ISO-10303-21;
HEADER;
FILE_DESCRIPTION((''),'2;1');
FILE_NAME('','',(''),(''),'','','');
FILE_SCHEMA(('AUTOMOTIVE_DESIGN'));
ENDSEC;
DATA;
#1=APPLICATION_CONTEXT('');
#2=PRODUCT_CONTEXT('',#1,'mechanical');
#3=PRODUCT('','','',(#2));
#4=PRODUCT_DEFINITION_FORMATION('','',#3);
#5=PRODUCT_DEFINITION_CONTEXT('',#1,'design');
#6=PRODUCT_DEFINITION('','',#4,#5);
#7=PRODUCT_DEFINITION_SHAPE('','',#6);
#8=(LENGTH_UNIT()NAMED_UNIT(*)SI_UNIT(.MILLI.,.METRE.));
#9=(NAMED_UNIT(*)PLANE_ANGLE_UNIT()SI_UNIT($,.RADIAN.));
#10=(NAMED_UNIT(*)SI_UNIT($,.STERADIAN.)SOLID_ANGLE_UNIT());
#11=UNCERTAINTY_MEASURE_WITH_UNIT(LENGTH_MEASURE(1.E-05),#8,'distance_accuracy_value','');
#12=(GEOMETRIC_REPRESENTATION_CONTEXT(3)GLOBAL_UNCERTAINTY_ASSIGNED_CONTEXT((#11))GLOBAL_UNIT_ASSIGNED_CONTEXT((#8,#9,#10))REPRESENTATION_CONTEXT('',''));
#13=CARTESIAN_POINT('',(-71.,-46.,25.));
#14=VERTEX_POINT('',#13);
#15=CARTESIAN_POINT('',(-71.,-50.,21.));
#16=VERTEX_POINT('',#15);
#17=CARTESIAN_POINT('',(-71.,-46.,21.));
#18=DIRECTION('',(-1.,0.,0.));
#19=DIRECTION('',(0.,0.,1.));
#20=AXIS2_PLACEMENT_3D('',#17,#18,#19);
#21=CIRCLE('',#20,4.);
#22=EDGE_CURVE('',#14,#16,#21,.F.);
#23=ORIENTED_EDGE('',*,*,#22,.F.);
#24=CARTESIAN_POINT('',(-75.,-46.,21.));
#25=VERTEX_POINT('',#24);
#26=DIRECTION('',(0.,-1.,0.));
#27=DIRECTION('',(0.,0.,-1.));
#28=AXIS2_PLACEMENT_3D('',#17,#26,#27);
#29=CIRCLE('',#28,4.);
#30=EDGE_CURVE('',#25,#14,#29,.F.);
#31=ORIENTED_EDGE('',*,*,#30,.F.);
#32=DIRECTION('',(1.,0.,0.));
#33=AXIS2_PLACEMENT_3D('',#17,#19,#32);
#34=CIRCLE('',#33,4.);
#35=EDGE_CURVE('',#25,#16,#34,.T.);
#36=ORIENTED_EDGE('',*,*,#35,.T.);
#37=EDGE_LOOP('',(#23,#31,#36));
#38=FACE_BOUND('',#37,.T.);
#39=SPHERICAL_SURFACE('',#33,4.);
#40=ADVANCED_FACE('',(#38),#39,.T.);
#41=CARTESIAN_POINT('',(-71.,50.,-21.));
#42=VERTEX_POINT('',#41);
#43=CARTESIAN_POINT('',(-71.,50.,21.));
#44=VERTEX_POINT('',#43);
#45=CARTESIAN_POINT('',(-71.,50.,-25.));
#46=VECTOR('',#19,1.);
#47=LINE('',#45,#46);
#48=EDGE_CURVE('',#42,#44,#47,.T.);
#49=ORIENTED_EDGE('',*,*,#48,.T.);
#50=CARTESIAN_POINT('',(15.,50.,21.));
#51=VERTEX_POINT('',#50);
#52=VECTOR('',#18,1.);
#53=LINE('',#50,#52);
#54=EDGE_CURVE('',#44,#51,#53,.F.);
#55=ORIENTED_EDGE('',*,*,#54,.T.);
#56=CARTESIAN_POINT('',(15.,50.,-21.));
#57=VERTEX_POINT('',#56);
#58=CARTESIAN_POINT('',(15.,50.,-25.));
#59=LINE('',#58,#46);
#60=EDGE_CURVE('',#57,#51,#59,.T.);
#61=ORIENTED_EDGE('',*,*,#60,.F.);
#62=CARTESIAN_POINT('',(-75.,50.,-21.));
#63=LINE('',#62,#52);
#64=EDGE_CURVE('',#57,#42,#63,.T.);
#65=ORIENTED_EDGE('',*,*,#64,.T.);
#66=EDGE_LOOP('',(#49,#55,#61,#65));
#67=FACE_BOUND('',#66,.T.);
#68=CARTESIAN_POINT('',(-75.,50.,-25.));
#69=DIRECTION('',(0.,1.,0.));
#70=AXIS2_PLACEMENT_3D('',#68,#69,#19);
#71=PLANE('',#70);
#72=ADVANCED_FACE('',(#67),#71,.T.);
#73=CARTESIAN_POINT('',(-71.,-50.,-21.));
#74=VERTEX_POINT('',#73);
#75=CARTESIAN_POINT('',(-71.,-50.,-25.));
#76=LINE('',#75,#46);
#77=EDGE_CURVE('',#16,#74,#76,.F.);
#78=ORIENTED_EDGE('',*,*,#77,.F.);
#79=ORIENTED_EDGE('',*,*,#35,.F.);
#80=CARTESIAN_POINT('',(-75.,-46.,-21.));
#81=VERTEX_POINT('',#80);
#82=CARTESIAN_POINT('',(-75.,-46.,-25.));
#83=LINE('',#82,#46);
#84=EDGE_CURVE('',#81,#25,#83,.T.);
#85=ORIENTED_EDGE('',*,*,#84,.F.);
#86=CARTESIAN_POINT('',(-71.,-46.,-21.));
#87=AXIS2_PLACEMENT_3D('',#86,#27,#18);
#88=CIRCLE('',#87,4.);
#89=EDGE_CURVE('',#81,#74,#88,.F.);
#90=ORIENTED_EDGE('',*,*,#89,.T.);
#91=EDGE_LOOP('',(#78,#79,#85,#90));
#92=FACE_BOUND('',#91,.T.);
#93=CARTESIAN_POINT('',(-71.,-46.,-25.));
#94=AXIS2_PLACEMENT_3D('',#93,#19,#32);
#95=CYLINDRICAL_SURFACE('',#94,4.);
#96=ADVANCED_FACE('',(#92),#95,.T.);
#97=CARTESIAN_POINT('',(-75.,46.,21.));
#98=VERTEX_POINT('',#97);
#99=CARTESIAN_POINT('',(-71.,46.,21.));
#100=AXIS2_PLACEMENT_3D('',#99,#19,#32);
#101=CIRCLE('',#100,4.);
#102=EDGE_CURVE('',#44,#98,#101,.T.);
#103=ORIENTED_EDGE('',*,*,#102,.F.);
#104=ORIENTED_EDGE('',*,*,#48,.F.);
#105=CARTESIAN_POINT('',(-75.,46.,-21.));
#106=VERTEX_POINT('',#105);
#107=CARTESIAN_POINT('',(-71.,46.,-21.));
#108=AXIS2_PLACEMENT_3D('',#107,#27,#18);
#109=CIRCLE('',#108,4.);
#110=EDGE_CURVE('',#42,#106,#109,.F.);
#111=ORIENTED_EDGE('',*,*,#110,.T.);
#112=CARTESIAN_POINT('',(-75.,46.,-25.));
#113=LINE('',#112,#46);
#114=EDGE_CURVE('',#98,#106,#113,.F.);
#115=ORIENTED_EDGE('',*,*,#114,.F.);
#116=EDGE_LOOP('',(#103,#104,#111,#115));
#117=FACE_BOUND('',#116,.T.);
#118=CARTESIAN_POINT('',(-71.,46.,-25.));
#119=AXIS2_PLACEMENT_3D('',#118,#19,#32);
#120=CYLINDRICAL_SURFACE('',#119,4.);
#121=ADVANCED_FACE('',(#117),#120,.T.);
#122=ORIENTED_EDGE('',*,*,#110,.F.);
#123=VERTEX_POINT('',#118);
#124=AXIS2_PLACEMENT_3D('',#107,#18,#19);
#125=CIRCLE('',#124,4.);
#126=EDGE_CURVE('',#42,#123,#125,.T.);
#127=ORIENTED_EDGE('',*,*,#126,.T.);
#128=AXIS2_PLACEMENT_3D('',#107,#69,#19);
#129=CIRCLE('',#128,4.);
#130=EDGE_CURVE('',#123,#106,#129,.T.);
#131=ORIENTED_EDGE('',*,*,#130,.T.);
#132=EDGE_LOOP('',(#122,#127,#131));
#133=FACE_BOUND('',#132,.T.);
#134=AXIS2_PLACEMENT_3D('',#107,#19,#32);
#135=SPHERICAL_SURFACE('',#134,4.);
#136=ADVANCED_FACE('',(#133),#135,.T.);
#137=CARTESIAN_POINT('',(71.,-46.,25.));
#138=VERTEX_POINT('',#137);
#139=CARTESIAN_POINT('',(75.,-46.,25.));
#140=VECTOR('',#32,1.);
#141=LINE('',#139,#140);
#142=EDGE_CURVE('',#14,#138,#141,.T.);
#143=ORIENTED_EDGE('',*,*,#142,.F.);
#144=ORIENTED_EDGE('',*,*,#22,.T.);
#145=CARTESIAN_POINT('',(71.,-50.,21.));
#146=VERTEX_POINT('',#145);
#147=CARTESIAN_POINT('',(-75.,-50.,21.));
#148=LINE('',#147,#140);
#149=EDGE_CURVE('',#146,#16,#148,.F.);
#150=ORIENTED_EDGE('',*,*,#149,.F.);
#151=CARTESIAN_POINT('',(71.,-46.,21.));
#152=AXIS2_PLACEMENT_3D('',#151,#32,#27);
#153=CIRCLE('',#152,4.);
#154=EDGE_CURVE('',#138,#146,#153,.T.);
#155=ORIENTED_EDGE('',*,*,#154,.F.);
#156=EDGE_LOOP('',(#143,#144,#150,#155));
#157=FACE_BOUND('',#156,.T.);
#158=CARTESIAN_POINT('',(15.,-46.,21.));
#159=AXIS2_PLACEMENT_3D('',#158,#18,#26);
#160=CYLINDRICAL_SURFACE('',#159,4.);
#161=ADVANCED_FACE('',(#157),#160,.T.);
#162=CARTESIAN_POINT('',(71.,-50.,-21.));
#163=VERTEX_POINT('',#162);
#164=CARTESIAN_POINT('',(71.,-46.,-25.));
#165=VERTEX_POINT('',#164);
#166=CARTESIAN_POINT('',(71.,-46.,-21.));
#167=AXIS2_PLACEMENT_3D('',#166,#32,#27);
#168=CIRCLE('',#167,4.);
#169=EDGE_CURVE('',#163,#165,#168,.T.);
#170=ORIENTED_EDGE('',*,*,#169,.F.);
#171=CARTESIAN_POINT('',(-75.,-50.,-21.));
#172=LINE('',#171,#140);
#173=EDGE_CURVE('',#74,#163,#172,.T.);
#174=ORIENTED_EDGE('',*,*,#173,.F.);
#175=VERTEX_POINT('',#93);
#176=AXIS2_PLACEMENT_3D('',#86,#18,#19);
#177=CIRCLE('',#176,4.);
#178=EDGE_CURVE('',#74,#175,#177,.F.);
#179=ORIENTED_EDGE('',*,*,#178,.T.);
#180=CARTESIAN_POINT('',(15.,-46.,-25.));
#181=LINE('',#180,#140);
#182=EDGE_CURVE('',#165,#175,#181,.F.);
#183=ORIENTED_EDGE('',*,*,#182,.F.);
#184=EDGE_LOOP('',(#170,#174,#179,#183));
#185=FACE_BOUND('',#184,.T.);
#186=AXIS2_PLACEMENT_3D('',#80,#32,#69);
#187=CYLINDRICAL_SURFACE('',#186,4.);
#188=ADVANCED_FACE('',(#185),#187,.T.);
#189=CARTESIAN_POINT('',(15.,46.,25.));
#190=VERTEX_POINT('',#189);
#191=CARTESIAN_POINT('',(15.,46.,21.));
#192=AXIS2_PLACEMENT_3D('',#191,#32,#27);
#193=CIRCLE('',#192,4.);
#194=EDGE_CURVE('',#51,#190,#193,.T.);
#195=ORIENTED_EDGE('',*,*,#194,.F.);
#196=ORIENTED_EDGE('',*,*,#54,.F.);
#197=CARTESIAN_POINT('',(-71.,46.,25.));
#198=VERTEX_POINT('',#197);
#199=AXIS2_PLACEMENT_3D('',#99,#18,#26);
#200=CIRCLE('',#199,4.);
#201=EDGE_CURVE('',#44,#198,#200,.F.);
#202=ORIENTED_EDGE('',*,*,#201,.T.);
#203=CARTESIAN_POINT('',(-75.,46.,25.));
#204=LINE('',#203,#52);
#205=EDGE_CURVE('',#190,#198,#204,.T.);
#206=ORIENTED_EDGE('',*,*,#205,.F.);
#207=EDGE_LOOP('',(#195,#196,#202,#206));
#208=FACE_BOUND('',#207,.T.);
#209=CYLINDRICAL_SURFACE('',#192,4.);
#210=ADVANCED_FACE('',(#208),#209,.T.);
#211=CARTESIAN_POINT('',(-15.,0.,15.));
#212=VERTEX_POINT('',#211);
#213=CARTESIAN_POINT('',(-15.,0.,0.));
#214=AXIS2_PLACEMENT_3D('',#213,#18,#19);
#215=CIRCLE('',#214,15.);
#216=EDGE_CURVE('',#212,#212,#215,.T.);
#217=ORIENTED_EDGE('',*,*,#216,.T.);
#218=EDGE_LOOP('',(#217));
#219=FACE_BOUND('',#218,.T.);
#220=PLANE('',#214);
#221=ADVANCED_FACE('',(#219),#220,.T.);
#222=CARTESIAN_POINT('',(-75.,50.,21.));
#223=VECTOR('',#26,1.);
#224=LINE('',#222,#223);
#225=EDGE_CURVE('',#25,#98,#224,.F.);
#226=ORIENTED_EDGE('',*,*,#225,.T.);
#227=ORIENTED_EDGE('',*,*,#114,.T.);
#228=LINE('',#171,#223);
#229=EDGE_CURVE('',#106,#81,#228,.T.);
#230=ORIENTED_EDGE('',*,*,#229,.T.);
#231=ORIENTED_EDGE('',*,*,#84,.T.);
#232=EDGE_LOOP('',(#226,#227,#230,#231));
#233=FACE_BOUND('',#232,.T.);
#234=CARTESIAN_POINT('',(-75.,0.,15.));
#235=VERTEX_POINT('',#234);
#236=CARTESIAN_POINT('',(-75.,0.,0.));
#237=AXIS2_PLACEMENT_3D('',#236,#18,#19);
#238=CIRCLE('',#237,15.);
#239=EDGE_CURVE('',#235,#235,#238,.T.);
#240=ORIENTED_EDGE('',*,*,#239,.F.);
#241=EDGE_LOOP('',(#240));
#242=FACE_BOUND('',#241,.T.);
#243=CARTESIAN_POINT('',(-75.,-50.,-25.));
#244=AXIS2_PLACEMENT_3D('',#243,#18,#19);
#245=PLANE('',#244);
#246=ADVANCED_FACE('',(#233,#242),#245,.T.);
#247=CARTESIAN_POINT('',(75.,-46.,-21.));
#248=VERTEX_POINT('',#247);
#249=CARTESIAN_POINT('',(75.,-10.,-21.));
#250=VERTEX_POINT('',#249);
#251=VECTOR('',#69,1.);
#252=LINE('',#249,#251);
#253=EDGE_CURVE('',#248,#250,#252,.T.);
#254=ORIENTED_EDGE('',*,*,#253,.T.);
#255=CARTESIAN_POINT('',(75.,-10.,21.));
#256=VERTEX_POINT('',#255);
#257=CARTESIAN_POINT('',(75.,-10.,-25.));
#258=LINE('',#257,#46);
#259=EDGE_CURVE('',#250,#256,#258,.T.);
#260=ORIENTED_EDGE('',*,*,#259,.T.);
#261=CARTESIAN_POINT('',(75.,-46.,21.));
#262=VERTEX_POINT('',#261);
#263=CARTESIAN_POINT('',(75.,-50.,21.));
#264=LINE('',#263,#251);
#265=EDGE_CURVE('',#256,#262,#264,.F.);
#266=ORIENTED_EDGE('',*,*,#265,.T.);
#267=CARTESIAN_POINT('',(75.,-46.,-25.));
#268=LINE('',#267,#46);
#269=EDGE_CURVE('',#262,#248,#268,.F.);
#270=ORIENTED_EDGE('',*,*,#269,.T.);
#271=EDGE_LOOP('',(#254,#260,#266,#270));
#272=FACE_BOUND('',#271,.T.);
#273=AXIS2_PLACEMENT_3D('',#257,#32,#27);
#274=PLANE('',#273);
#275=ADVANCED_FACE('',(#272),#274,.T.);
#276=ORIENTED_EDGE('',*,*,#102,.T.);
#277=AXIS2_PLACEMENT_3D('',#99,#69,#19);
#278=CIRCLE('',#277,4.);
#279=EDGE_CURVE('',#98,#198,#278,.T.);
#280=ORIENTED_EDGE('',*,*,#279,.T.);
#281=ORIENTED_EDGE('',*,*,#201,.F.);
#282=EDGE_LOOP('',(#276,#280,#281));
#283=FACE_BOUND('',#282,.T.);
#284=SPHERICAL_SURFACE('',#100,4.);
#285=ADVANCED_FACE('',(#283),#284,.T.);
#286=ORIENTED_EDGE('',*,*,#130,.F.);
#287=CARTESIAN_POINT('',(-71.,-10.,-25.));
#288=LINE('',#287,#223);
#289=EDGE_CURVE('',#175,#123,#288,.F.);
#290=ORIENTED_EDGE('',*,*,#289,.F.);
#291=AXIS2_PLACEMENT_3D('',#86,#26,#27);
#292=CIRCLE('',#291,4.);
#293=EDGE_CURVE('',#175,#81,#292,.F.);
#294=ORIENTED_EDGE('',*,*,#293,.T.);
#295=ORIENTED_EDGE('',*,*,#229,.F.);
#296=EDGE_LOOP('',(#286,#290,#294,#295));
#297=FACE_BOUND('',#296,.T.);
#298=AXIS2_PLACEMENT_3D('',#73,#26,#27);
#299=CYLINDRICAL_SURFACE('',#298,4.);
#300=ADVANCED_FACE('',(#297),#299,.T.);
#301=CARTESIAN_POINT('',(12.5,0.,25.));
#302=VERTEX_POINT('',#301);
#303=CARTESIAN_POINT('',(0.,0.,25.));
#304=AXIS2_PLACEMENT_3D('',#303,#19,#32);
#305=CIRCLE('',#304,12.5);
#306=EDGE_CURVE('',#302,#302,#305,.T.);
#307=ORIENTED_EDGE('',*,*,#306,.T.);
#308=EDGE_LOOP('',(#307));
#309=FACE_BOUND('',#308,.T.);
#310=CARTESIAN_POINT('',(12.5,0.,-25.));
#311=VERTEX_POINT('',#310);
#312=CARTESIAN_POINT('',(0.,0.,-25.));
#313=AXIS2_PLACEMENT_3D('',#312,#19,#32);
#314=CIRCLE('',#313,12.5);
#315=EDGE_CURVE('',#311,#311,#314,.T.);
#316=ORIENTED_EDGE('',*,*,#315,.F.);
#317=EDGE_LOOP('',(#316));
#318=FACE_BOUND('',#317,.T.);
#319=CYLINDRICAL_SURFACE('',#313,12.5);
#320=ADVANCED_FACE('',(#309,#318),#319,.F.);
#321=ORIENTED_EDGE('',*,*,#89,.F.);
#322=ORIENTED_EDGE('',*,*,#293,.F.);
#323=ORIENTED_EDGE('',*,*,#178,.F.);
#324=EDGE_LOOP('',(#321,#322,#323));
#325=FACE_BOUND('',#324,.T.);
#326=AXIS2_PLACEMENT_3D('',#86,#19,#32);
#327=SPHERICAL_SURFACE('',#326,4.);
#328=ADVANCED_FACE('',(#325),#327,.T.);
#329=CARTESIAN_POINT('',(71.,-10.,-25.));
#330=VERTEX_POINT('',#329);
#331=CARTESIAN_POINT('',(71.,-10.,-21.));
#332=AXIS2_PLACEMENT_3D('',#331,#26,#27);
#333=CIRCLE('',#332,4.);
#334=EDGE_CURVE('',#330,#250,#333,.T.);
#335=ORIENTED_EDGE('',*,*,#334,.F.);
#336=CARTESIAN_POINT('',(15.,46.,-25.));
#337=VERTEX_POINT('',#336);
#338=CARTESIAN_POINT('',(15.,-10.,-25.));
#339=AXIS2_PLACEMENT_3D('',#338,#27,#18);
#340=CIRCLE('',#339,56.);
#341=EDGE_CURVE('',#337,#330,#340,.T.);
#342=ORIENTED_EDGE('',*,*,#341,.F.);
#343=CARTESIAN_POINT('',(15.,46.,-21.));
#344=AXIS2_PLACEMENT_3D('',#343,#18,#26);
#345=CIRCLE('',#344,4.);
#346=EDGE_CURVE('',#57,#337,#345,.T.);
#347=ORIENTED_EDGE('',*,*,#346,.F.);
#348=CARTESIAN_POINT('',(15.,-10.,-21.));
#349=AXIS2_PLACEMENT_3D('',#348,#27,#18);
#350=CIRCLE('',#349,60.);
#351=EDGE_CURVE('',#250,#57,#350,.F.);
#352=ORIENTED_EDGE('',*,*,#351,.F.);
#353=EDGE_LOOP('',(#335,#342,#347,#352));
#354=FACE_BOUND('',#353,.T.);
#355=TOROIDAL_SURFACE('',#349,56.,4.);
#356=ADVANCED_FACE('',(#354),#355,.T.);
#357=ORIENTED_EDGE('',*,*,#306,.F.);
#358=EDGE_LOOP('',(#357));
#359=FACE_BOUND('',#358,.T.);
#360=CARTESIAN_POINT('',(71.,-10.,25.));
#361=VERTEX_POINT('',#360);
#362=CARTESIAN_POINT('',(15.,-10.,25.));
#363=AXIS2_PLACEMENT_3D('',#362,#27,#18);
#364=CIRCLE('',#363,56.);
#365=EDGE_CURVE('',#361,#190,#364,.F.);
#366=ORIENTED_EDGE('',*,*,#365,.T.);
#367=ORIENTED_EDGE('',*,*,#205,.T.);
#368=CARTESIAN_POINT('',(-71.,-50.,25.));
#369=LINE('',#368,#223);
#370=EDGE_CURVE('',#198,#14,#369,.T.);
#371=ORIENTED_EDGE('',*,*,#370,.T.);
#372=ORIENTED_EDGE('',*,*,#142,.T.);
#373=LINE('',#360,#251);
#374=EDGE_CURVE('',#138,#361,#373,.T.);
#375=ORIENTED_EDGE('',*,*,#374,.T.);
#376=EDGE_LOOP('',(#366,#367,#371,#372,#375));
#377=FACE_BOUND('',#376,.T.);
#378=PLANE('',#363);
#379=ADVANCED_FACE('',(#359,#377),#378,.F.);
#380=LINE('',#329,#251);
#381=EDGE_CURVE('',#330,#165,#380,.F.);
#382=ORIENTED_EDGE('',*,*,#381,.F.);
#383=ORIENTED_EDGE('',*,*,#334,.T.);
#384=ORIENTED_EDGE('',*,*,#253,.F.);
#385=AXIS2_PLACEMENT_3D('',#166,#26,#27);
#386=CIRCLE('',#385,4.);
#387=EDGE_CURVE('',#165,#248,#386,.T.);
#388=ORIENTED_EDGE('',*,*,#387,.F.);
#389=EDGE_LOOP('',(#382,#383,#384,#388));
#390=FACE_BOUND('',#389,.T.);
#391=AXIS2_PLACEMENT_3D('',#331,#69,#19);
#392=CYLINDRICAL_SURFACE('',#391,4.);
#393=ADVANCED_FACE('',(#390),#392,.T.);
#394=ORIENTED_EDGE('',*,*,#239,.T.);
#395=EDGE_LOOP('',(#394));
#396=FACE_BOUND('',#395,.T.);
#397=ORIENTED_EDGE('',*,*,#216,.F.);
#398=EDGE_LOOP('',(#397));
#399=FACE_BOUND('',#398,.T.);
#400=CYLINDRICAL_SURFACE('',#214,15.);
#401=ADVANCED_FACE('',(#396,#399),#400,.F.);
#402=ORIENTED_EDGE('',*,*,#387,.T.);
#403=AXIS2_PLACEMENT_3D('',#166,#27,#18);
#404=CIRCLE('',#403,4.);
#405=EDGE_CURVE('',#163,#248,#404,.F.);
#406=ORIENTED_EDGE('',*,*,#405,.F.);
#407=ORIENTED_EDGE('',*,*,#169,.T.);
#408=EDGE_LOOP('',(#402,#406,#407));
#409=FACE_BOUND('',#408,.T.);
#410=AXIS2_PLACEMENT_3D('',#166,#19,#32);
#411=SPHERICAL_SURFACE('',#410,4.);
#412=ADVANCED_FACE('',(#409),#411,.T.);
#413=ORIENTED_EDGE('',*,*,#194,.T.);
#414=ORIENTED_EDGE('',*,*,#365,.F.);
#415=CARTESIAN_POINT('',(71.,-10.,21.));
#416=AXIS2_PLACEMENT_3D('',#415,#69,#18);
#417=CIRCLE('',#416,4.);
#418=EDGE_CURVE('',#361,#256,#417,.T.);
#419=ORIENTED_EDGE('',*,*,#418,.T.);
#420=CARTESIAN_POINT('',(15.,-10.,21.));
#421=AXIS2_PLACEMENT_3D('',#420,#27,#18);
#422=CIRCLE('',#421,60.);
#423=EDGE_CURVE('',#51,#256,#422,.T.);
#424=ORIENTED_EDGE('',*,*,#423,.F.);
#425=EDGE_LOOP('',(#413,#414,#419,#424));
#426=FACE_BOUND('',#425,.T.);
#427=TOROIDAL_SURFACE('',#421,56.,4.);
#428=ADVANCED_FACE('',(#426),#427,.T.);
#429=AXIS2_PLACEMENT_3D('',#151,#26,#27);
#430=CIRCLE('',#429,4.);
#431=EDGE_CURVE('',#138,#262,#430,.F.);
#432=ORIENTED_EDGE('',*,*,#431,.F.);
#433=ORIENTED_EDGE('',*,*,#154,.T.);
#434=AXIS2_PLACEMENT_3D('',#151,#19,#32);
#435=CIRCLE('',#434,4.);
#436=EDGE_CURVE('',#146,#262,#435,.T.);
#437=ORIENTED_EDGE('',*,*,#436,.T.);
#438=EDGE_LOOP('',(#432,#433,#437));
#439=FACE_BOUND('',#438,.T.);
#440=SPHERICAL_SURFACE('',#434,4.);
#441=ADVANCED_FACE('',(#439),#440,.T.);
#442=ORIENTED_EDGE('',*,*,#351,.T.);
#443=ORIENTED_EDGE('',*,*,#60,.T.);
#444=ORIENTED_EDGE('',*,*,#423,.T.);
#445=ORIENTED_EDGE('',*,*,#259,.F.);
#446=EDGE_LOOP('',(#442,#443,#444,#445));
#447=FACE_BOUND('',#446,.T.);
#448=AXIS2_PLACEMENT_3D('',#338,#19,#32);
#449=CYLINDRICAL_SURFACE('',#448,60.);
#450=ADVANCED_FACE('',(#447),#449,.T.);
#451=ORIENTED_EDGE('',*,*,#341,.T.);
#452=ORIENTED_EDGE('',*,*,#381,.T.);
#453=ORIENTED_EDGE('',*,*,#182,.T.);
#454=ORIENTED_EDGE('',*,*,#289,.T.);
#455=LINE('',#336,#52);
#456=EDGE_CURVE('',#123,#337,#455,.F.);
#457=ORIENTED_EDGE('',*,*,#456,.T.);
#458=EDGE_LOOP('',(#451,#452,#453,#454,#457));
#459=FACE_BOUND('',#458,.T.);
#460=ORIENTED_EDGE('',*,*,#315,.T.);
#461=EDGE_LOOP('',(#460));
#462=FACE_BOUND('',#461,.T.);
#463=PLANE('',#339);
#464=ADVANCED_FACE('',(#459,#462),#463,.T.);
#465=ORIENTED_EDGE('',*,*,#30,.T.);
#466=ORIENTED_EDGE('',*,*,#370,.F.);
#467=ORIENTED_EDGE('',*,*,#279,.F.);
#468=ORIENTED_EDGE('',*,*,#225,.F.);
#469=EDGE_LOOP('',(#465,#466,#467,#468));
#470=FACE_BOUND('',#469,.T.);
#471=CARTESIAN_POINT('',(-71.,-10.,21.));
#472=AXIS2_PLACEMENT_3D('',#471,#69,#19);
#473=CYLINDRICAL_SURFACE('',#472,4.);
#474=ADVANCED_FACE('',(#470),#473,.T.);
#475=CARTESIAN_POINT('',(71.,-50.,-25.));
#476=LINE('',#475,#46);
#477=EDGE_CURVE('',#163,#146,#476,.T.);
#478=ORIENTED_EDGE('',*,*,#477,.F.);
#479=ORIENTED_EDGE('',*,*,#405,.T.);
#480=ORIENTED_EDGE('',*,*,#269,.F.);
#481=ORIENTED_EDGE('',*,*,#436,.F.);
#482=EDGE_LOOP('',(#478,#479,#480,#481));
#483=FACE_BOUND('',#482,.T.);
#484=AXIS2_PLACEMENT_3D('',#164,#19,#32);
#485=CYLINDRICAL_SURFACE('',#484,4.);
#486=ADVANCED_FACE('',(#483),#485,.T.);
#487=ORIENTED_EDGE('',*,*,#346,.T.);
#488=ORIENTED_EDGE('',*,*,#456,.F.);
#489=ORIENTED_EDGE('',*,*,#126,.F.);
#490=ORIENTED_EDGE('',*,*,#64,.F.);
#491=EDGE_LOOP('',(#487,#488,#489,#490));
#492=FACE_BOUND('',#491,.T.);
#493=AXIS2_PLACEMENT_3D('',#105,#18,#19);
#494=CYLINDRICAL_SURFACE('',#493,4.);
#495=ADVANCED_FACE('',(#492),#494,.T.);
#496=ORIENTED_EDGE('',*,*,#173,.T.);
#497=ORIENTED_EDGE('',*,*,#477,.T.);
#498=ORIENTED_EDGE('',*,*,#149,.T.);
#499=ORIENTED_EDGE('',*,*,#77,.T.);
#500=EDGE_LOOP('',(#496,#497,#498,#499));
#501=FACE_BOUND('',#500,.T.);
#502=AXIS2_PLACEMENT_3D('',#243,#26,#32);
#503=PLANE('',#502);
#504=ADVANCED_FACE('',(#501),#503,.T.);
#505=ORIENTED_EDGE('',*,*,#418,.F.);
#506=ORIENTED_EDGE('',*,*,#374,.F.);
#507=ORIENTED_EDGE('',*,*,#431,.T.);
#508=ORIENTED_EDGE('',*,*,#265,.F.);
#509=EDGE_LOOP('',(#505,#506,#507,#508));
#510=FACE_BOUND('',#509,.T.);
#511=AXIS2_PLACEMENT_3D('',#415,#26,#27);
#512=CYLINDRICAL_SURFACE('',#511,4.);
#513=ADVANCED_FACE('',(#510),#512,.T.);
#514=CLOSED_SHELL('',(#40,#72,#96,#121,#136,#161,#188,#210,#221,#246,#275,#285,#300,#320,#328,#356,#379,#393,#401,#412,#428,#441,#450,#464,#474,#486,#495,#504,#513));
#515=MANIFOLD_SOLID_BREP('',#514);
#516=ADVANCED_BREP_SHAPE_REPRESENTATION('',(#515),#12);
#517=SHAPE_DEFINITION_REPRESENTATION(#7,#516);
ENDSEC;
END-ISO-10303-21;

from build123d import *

# Parameters (mm, degrees)
SKETCH1_R           = 12.5
BOSS_EXTRUDE1_DEPTH = 25
SKETCH2_R           = 15
CUT_EXTRUDE1_DEPTH  = 60
FILLET1_R           = 4


with BuildPart() as part:
    # Sketch1 → Boss-Extrude1 (new, symmetric)
    with BuildSketch(Plane.XY):
        with BuildLine():
            Line((-75, -50), (75, -50))
            Line((75, -50), (75, -10))
            ThreePointArc((75, -10), (57.426406871, 32.426406871), (15, 50))
            Line((15, 50), (-75, 50))
            Line((-75, 50), (-75, -50))
        make_face()
        Circle(SKETCH1_R, mode=Mode.SUBTRACT)
    extrude(amount=BOSS_EXTRUDE1_DEPTH, both=True)

    # Sketch2 → Cut-Extrude1 (cut)
    with BuildSketch(Plane.ZY.offset(75)):
        Circle(SKETCH2_R)
    extrude(amount=-CUT_EXTRUDE1_DEPTH, mode=Mode.SUBTRACT)

    # Fillet1
    fillet1_edges = [part.edges().sort_by_distance(p)[0] for p in [
        (0, -50, -25),
        (75, -30, -25),
        (57.426406871, 32.426406871, -25),
        (-30, 50, -25),
        (57.426406871, 32.426406871, 25),
        (75, -30, 25),
        (0, -50, 25),
        (-75, 0, 25),
        (-30, 50, 25),
        (-75, 0, -25),
        (75, -50, 0),
        (-75, -50, 0),
        (-75, 50, 0),
    ]]
    fillet(fillet1_edges, radius=FILLET1_R)


solid = part.part
